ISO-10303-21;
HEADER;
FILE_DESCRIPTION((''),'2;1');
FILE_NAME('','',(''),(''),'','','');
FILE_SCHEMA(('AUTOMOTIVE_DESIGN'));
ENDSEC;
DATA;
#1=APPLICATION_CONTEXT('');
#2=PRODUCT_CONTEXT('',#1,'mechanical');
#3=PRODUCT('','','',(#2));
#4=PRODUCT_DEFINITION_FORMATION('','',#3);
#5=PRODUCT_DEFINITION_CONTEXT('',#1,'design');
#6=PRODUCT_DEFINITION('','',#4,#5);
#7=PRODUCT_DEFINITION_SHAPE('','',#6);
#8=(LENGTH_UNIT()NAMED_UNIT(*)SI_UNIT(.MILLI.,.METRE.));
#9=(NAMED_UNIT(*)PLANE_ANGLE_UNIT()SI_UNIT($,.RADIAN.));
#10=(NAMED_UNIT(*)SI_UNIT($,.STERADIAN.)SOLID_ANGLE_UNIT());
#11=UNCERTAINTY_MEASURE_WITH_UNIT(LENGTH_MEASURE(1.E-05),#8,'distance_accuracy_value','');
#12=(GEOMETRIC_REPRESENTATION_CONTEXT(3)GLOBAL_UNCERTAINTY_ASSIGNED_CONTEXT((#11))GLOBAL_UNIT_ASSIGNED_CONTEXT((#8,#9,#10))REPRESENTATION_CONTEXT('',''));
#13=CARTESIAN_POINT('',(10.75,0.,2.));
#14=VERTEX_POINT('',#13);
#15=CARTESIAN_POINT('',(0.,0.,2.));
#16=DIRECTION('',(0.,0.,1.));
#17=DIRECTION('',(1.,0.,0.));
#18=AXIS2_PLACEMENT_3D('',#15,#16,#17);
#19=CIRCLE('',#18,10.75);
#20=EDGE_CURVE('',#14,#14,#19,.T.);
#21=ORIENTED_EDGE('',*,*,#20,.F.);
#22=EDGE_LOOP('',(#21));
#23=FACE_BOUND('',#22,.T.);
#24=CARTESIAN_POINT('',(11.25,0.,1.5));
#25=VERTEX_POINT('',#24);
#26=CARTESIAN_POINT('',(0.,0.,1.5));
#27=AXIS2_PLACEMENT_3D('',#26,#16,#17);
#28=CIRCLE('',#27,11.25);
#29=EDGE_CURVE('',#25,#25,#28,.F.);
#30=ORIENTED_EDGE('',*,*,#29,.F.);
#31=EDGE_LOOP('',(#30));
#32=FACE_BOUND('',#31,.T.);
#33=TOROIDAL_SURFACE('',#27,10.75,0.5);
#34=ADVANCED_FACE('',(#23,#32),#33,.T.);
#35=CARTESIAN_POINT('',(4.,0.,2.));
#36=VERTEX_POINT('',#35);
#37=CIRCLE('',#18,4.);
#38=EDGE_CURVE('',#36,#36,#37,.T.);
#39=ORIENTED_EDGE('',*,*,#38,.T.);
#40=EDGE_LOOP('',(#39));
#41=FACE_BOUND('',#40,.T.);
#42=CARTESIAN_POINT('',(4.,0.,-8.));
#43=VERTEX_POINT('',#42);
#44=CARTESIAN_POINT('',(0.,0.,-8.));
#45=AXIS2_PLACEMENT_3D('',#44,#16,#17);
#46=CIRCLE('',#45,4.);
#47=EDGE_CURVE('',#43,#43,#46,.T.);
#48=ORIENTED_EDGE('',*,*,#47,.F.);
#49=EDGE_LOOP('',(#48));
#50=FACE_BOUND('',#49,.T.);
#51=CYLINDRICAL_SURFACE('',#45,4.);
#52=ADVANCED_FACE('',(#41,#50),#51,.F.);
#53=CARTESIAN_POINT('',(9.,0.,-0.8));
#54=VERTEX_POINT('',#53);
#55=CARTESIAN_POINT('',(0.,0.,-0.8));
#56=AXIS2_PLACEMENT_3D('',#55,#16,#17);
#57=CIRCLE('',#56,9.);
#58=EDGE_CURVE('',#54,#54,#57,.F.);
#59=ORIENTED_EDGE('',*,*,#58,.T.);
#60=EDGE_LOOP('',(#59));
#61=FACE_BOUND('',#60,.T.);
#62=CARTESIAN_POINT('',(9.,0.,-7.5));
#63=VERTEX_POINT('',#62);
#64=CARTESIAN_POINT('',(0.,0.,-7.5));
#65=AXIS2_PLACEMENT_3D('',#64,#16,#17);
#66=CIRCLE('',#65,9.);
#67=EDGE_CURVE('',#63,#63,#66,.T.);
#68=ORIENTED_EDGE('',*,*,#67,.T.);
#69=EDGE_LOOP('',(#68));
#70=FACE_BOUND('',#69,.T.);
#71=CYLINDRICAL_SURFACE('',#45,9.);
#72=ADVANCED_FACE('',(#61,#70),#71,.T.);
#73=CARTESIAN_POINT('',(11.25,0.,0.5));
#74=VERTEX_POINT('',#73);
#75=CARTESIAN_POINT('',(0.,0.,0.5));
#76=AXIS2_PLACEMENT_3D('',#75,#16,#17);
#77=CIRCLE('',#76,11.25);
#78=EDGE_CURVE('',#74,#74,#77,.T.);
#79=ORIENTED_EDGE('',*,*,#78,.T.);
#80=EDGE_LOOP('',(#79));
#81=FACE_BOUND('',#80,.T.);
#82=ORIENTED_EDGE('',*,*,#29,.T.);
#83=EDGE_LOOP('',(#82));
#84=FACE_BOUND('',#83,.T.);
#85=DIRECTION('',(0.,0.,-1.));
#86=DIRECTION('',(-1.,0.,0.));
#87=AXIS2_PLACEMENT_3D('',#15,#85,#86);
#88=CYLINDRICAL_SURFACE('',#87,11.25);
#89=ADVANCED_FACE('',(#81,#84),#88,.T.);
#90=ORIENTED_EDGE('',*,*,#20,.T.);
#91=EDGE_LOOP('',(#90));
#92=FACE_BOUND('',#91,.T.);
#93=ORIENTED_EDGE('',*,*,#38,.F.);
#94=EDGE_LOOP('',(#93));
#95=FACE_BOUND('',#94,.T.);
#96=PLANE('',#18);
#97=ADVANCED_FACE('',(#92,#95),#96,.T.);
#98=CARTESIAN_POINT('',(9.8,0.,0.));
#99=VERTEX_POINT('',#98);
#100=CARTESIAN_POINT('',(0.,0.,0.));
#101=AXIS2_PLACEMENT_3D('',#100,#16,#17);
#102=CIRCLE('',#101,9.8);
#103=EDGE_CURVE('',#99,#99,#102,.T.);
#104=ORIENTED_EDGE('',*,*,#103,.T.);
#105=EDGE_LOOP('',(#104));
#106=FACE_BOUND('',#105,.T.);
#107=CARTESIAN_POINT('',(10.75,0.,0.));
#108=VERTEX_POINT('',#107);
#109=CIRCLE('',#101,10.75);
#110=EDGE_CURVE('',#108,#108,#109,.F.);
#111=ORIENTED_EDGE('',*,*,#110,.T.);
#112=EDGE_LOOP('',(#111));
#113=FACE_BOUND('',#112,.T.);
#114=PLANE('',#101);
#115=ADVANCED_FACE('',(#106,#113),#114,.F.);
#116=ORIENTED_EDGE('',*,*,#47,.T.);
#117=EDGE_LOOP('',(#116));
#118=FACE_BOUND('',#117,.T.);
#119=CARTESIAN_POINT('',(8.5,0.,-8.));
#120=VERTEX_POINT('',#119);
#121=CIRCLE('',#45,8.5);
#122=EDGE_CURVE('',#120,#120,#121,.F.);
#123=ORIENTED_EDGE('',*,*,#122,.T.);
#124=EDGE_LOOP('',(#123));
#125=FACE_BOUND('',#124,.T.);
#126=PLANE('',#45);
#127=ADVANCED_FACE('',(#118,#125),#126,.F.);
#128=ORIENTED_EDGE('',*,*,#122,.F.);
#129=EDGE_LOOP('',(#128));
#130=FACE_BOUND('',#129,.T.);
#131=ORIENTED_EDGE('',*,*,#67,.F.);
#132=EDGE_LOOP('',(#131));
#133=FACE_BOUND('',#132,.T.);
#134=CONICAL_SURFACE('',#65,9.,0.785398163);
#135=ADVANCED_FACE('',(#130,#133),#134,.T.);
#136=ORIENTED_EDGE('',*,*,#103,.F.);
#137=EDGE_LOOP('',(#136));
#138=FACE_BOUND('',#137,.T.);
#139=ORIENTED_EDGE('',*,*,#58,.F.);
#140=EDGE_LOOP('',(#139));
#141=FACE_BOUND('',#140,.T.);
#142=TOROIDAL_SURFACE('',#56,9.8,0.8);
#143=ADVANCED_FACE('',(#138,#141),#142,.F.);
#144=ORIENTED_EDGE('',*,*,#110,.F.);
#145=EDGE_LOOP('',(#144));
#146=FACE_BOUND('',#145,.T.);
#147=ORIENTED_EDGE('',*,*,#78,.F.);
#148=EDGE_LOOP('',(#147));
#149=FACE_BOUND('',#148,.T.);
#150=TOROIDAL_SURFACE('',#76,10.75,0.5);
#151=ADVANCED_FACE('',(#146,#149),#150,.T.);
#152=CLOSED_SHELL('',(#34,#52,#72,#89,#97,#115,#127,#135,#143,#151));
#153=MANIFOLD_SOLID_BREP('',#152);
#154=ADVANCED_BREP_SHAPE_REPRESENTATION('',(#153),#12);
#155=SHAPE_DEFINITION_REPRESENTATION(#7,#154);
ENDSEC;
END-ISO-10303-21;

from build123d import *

# Parameters (mm, degrees)
SKETCH1_R           = 9
SKETCH1_R_2         = 4
BOSS_EXTRUDE1_DEPTH = 8
BOSS_EXTRUDE2_START = 2
SKETCH2_R           = 11.25
SKETCH2_R_2         = 4
BOSS_EXTRUDE2_DEPTH = 2
FILLET1_R           = 0.5
FILLET2_R           = 0.5
FILLET3_R           = 0.8
CHAMFER1_SIZE       = 0.5


with BuildPart() as part:
    # Sketch1 → Boss-Extrude1 (new body)
    with BuildSketch(Plane.XY):
        Circle(SKETCH1_R)
        Circle(SKETCH1_R_2, mode=Mode.SUBTRACT)
    extrude(amount=-BOSS_EXTRUDE1_DEPTH)

    # Sketch2 → Boss-Extrude2 (add)
    with BuildSketch(Plane.XY.offset(BOSS_EXTRUDE2_START)):
        Circle(SKETCH2_R)
        Circle(SKETCH2_R_2, mode=Mode.SUBTRACT)
    extrude(amount=-BOSS_EXTRUDE2_DEPTH)

    # Fillet1
    fillet1_edges = [part.edges().sort_by_distance(p)[0] for p in [
        (-11.25, 0, 2),
    ]]
    fillet(fillet1_edges, radius=FILLET1_R)

    # Fillet2
    fillet2_edges = [part.edges().sort_by_distance(p)[0] for p in [
        (-11.25, 0, 0),
    ]]
    fillet(fillet2_edges, radius=FILLET2_R)

    # Fillet3
    fillet3_edges = [part.edges().sort_by_distance(p)[0] for p in [
        (-9, 0, 0),
    ]]
    fillet(fillet3_edges, radius=FILLET3_R)

    # Chamfer1
    chamfer1_edges = [part.edges().sort_by_distance(p)[0] for p in [
        (-9, 0, -8),
    ]]
    chamfer(chamfer1_edges, length=CHAMFER1_SIZE)


solid = part.part
